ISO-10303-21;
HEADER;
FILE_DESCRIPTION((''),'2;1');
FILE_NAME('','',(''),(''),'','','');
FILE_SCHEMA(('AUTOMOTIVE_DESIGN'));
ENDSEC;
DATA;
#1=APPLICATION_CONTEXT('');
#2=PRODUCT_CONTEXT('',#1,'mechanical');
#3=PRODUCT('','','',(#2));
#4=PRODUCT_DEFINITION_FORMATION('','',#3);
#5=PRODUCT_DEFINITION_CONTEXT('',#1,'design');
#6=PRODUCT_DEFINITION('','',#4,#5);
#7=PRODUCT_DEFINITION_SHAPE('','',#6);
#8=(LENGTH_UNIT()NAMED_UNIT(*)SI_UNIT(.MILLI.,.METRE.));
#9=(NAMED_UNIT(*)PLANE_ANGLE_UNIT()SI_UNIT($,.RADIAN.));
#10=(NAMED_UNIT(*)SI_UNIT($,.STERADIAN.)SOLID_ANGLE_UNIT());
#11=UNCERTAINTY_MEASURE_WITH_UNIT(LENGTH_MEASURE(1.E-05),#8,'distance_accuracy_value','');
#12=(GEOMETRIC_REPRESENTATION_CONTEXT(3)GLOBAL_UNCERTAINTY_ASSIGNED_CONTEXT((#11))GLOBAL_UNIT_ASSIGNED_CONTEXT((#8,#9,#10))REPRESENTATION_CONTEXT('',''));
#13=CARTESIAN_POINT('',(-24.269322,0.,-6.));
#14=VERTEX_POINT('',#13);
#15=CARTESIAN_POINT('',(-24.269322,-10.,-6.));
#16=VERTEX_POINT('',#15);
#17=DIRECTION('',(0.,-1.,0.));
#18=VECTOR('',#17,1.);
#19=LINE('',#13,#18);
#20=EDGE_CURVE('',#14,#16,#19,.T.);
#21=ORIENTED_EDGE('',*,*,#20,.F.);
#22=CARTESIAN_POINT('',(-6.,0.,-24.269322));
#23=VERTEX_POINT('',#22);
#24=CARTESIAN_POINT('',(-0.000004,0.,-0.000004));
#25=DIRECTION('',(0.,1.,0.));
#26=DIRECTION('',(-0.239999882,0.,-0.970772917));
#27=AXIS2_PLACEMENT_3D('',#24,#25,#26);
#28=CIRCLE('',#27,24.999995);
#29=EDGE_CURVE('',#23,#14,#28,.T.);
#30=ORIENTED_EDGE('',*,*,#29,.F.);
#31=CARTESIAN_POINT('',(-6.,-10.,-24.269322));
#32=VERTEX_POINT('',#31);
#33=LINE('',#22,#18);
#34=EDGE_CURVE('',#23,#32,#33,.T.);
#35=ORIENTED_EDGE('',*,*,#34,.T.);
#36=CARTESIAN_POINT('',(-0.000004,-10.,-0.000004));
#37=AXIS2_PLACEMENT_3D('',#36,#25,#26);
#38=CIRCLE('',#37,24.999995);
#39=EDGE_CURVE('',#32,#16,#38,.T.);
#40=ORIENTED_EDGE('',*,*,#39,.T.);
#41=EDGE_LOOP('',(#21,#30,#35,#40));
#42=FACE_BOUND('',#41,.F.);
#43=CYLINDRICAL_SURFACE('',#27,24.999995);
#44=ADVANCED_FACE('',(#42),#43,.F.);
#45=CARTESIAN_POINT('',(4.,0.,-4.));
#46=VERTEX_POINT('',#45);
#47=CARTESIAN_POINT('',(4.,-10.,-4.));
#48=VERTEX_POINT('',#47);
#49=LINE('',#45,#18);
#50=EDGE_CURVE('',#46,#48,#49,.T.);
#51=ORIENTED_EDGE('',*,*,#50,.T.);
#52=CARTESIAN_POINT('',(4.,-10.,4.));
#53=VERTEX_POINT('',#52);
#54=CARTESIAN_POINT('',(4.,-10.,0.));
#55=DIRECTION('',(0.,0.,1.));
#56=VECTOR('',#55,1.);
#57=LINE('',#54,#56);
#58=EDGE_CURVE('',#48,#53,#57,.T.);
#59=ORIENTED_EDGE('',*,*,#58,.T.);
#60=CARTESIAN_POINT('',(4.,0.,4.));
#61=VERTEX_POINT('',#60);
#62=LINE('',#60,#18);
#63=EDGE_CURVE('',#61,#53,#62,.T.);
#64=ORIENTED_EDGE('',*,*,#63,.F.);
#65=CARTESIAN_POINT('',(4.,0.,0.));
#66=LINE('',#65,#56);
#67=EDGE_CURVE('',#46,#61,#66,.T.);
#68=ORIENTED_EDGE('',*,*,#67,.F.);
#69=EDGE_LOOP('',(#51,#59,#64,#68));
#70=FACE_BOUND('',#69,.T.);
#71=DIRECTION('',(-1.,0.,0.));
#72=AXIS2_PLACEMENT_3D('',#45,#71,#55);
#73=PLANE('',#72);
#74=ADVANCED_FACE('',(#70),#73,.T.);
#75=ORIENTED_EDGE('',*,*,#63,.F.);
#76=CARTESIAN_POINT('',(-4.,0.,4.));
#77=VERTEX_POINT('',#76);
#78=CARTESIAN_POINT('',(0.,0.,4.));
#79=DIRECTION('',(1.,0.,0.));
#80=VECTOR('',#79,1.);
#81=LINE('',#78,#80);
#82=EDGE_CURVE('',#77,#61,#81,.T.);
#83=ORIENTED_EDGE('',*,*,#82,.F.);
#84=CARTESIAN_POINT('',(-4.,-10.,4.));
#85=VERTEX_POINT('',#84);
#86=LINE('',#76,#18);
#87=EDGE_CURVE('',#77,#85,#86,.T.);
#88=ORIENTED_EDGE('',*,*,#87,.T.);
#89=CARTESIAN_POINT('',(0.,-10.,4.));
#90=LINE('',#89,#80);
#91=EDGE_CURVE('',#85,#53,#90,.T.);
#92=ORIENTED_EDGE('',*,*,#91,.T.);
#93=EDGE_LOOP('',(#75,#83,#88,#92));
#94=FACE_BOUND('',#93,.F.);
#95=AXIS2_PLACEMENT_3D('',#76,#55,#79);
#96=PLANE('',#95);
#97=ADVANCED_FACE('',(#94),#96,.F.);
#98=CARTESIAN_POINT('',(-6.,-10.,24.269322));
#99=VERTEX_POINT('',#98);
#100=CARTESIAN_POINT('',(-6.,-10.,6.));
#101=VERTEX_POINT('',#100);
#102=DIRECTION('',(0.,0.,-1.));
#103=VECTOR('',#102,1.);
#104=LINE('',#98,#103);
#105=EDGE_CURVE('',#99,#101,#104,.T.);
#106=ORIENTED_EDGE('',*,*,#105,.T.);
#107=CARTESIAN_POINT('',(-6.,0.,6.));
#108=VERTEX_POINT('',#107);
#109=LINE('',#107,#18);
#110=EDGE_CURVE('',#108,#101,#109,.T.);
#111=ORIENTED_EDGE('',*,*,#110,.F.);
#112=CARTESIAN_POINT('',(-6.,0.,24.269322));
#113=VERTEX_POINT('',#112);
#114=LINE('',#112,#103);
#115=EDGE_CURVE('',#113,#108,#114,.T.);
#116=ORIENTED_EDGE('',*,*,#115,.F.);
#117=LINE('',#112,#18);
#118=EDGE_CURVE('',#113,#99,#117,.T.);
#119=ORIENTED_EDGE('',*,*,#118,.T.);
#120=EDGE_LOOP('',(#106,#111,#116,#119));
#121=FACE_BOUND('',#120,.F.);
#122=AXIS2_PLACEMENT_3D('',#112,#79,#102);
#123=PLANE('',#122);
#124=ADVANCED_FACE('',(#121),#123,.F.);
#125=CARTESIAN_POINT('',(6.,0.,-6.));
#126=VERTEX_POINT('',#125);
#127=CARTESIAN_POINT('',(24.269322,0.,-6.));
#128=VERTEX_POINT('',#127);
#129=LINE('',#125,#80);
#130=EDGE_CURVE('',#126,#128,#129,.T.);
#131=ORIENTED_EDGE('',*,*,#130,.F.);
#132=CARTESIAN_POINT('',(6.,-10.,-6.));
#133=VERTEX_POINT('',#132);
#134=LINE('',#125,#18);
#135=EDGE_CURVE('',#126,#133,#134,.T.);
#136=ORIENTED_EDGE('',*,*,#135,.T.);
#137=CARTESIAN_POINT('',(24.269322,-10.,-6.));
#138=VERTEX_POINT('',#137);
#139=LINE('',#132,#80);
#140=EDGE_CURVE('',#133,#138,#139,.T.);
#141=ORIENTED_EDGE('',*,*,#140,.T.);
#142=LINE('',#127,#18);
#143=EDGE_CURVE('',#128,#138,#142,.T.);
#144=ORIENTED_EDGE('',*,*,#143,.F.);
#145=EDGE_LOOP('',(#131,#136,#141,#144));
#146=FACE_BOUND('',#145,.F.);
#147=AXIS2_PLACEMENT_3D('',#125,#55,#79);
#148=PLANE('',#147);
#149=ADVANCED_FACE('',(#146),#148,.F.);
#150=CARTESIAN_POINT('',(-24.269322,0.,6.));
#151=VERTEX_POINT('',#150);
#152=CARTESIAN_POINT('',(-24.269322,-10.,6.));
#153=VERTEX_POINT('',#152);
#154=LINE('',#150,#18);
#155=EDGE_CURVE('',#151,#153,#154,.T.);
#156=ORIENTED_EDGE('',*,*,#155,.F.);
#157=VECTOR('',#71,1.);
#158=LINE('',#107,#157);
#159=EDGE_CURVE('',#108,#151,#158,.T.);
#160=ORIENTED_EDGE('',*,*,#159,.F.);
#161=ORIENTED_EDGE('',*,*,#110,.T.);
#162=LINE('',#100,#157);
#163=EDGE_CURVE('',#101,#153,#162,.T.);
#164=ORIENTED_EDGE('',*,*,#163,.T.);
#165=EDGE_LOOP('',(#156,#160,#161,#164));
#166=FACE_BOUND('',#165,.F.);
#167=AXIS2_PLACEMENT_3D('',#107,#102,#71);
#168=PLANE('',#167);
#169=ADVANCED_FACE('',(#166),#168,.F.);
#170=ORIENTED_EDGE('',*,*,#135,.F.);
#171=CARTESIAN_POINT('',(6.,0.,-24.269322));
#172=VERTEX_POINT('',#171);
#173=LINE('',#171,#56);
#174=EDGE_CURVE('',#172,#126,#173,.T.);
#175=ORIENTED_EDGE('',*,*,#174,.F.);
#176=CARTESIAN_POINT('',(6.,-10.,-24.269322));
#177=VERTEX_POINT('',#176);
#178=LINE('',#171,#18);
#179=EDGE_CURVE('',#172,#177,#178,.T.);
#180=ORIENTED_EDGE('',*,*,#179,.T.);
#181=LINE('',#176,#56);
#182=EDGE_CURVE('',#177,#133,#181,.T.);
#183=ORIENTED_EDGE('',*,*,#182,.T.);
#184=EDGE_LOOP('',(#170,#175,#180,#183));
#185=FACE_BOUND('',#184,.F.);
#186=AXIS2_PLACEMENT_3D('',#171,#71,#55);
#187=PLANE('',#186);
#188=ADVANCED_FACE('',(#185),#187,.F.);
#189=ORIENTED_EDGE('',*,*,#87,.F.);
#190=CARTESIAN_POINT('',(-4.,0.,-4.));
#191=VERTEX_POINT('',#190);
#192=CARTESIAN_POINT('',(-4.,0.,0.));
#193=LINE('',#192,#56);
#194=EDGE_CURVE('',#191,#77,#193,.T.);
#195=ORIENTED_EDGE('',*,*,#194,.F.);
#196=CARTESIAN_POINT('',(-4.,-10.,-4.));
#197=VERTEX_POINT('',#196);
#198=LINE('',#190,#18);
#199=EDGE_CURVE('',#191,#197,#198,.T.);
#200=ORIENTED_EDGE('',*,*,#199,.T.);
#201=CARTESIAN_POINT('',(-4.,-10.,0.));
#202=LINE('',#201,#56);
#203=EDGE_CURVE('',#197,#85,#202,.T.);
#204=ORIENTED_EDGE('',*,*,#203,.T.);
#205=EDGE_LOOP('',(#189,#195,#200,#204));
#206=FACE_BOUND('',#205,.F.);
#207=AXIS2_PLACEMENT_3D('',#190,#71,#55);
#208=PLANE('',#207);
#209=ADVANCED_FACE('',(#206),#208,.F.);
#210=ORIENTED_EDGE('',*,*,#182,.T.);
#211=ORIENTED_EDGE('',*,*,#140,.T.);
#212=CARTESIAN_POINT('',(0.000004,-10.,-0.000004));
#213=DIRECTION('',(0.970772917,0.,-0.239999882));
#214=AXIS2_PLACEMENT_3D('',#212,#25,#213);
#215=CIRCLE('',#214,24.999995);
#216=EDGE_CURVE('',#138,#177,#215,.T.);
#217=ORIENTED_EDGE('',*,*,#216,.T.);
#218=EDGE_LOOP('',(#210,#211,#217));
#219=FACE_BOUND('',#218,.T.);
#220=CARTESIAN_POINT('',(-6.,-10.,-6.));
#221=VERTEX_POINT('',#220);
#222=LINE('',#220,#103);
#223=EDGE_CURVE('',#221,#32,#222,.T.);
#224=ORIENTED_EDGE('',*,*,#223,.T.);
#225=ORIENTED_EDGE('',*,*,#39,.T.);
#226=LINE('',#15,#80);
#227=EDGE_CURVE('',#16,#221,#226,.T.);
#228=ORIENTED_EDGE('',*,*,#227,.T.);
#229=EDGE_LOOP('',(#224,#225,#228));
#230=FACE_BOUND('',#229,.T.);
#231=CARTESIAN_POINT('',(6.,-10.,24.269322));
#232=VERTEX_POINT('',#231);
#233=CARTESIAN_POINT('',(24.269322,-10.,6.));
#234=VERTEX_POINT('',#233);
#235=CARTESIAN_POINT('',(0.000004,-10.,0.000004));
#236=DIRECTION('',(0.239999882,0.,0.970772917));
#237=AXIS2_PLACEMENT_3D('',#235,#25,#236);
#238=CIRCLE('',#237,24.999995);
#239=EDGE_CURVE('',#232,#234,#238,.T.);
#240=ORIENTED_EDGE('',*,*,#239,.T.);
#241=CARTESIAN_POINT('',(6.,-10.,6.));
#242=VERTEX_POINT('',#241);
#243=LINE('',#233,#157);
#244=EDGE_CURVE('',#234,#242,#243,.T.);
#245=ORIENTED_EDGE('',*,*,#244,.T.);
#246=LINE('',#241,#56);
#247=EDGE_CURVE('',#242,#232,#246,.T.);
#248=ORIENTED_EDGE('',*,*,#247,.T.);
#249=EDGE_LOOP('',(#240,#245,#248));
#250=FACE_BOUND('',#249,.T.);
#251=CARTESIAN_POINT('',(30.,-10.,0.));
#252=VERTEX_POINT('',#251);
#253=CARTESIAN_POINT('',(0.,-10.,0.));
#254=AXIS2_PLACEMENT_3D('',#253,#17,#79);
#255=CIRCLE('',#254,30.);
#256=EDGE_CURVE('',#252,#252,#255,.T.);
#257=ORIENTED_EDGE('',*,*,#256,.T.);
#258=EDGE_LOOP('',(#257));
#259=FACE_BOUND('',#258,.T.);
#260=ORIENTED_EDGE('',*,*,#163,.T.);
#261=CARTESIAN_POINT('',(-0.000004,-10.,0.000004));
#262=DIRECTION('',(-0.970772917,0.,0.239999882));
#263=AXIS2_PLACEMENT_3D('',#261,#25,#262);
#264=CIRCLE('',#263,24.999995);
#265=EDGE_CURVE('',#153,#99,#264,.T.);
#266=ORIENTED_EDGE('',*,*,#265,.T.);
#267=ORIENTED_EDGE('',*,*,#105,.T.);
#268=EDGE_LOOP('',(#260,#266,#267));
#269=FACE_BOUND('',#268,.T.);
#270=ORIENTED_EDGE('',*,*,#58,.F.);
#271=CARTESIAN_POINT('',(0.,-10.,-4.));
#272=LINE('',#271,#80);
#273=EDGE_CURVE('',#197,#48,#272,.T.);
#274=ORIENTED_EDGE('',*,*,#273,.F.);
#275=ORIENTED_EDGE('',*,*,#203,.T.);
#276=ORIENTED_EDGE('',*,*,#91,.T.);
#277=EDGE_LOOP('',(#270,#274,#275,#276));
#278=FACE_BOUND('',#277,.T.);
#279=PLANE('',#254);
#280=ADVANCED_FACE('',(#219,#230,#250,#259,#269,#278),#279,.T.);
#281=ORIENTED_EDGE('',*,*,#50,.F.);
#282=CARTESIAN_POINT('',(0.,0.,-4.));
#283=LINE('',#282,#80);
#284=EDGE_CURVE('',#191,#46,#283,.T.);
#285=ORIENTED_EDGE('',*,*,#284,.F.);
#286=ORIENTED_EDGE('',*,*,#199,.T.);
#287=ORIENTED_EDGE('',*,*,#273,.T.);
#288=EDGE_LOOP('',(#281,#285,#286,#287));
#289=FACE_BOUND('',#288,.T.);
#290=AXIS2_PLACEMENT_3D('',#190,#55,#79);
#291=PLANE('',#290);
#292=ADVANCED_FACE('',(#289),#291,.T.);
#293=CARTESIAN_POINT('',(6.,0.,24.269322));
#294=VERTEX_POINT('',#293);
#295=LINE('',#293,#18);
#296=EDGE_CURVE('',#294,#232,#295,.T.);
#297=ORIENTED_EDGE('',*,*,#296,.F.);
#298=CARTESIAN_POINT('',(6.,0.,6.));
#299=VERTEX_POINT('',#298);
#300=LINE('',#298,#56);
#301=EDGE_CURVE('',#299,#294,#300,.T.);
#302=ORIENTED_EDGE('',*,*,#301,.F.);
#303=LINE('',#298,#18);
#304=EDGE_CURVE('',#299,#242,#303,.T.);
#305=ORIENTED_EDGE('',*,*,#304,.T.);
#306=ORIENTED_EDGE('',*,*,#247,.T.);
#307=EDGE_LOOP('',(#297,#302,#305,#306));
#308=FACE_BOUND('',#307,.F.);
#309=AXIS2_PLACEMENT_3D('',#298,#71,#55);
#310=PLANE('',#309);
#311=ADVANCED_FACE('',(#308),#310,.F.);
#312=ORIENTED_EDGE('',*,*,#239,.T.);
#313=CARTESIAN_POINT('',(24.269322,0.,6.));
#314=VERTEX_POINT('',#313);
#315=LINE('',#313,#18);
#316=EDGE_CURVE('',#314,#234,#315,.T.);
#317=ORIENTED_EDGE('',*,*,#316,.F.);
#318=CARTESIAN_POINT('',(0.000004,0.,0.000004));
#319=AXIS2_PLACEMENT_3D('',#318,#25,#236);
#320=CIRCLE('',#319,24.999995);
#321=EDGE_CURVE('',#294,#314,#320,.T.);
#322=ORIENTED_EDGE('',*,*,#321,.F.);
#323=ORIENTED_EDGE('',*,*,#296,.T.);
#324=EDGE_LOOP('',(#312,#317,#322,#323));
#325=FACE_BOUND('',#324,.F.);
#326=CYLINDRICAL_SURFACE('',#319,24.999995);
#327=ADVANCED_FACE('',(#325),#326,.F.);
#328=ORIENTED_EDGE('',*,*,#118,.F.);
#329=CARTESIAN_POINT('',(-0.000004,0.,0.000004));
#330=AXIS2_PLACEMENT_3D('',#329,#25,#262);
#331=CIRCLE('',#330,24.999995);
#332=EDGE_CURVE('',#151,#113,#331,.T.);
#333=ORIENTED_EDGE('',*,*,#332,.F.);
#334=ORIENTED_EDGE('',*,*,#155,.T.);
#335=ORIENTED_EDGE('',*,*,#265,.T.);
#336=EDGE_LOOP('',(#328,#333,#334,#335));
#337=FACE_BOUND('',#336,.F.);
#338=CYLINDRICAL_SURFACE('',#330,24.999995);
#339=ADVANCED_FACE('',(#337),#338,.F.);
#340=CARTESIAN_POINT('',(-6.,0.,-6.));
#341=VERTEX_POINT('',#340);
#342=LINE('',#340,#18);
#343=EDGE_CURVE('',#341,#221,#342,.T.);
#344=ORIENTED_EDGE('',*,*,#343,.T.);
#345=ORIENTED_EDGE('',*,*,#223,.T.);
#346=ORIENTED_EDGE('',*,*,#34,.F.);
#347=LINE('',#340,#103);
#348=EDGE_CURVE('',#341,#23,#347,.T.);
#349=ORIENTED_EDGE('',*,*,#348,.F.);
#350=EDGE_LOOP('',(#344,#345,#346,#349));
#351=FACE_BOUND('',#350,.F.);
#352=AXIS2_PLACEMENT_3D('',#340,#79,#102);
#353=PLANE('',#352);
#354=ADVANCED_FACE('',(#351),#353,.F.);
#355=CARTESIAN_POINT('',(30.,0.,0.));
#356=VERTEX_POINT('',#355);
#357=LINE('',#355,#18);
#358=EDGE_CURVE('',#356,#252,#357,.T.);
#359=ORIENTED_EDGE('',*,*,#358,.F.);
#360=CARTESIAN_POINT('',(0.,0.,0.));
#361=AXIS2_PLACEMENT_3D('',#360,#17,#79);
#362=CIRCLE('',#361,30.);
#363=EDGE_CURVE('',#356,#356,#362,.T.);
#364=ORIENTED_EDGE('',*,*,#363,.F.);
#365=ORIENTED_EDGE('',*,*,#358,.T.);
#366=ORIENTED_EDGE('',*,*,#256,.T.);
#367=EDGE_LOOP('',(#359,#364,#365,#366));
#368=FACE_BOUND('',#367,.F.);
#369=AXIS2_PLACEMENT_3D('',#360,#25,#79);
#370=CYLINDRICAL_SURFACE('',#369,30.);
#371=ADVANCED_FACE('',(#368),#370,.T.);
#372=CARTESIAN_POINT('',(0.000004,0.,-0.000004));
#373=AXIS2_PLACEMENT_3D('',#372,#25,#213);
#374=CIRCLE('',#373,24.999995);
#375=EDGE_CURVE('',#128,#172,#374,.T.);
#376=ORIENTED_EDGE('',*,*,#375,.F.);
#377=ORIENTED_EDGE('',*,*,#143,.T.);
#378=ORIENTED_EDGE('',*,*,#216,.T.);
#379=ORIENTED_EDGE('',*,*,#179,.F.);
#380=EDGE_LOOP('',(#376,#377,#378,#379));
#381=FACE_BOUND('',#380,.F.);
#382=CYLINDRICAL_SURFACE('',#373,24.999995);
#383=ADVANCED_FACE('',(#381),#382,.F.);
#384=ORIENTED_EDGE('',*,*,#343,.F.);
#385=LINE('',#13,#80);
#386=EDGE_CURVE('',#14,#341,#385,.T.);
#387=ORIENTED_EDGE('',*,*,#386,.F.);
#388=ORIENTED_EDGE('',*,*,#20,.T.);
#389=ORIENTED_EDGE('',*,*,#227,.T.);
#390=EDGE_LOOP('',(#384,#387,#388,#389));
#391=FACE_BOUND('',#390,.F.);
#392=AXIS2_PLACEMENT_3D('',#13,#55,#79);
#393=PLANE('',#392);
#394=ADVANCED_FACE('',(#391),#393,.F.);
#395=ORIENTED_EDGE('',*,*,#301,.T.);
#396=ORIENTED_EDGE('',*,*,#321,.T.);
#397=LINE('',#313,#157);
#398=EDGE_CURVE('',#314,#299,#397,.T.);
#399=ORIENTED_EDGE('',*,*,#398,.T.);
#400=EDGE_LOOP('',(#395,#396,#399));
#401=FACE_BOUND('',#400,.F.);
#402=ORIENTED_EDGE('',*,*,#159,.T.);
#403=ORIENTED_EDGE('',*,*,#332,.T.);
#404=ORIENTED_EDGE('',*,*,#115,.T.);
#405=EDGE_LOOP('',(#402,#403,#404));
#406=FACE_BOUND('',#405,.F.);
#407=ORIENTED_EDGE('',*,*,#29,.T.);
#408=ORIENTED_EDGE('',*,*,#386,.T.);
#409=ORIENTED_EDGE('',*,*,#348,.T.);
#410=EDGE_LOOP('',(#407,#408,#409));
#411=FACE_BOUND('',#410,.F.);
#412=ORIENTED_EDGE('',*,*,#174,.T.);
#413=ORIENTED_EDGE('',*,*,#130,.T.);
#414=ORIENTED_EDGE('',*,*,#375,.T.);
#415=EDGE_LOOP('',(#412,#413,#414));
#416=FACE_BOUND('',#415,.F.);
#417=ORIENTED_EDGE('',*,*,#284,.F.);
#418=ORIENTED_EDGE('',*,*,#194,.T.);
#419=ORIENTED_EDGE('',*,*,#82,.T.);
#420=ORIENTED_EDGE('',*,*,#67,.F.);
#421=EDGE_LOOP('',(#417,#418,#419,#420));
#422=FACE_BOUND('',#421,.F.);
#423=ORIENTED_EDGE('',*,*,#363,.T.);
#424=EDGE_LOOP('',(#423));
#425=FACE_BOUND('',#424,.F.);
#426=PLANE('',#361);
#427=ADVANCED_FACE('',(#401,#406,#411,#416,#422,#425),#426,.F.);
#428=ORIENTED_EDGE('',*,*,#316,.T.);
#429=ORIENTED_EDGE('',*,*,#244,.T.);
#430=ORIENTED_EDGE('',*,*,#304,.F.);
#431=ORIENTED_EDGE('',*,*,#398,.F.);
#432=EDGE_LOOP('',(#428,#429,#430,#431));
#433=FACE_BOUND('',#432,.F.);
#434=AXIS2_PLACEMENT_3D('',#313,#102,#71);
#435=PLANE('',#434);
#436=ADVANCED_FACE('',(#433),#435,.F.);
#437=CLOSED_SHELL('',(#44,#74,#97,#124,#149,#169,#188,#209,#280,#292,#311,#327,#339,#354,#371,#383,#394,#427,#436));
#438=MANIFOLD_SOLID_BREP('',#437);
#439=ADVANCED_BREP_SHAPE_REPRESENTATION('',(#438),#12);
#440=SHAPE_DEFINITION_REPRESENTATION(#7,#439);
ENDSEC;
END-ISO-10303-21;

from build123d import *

# Parameters (mm, degrees)
F0_R     = 30
F0_W     = 8
F0_H     = 8
F1_DEPTH = 10


with BuildPart() as f1:
    # F0 (on Front) → F1 (new body)
    with BuildSketch(Plane.XZ):
        Circle(F0_R)
        with BuildLine():
            Line((-6, -6), (-6, -24.269322))
            ThreePointArc((-6, -24.269322), (-17.67767, -17.67767), (-24.269322, -6))
            Line((-24.269322, -6), (-6, -6))
        make_face(mode=Mode.SUBTRACT)
        with BuildLine():
            Line((6, -6), (24.269322, -6))
            ThreePointArc((24.269322, -6), (17.67767, -17.67767), (6, -24.269322))
            Line((6, -24.269322), (6, -6))
        make_face(mode=Mode.SUBTRACT)
        with BuildLine():
            Line((-6, 24.269322), (-6, 6))
            Line((-6, 6), (-24.269322, 6))
            ThreePointArc((-24.269322, 6), (-17.67767, 17.67767), (-6, 24.269322))
        make_face(mode=Mode.SUBTRACT)
        Rectangle(F0_W, F0_H, mode=Mode.SUBTRACT)
        with BuildLine():
            ThreePointArc((6, 24.269322), (17.67767, 17.67767), (24.269322, 6))
            Line((24.269322, 6), (6, 6))
            Line((6, 6), (6, 24.269322))
        make_face(mode=Mode.SUBTRACT)
    extrude(amount=F1_DEPTH)


solid = f1.part
